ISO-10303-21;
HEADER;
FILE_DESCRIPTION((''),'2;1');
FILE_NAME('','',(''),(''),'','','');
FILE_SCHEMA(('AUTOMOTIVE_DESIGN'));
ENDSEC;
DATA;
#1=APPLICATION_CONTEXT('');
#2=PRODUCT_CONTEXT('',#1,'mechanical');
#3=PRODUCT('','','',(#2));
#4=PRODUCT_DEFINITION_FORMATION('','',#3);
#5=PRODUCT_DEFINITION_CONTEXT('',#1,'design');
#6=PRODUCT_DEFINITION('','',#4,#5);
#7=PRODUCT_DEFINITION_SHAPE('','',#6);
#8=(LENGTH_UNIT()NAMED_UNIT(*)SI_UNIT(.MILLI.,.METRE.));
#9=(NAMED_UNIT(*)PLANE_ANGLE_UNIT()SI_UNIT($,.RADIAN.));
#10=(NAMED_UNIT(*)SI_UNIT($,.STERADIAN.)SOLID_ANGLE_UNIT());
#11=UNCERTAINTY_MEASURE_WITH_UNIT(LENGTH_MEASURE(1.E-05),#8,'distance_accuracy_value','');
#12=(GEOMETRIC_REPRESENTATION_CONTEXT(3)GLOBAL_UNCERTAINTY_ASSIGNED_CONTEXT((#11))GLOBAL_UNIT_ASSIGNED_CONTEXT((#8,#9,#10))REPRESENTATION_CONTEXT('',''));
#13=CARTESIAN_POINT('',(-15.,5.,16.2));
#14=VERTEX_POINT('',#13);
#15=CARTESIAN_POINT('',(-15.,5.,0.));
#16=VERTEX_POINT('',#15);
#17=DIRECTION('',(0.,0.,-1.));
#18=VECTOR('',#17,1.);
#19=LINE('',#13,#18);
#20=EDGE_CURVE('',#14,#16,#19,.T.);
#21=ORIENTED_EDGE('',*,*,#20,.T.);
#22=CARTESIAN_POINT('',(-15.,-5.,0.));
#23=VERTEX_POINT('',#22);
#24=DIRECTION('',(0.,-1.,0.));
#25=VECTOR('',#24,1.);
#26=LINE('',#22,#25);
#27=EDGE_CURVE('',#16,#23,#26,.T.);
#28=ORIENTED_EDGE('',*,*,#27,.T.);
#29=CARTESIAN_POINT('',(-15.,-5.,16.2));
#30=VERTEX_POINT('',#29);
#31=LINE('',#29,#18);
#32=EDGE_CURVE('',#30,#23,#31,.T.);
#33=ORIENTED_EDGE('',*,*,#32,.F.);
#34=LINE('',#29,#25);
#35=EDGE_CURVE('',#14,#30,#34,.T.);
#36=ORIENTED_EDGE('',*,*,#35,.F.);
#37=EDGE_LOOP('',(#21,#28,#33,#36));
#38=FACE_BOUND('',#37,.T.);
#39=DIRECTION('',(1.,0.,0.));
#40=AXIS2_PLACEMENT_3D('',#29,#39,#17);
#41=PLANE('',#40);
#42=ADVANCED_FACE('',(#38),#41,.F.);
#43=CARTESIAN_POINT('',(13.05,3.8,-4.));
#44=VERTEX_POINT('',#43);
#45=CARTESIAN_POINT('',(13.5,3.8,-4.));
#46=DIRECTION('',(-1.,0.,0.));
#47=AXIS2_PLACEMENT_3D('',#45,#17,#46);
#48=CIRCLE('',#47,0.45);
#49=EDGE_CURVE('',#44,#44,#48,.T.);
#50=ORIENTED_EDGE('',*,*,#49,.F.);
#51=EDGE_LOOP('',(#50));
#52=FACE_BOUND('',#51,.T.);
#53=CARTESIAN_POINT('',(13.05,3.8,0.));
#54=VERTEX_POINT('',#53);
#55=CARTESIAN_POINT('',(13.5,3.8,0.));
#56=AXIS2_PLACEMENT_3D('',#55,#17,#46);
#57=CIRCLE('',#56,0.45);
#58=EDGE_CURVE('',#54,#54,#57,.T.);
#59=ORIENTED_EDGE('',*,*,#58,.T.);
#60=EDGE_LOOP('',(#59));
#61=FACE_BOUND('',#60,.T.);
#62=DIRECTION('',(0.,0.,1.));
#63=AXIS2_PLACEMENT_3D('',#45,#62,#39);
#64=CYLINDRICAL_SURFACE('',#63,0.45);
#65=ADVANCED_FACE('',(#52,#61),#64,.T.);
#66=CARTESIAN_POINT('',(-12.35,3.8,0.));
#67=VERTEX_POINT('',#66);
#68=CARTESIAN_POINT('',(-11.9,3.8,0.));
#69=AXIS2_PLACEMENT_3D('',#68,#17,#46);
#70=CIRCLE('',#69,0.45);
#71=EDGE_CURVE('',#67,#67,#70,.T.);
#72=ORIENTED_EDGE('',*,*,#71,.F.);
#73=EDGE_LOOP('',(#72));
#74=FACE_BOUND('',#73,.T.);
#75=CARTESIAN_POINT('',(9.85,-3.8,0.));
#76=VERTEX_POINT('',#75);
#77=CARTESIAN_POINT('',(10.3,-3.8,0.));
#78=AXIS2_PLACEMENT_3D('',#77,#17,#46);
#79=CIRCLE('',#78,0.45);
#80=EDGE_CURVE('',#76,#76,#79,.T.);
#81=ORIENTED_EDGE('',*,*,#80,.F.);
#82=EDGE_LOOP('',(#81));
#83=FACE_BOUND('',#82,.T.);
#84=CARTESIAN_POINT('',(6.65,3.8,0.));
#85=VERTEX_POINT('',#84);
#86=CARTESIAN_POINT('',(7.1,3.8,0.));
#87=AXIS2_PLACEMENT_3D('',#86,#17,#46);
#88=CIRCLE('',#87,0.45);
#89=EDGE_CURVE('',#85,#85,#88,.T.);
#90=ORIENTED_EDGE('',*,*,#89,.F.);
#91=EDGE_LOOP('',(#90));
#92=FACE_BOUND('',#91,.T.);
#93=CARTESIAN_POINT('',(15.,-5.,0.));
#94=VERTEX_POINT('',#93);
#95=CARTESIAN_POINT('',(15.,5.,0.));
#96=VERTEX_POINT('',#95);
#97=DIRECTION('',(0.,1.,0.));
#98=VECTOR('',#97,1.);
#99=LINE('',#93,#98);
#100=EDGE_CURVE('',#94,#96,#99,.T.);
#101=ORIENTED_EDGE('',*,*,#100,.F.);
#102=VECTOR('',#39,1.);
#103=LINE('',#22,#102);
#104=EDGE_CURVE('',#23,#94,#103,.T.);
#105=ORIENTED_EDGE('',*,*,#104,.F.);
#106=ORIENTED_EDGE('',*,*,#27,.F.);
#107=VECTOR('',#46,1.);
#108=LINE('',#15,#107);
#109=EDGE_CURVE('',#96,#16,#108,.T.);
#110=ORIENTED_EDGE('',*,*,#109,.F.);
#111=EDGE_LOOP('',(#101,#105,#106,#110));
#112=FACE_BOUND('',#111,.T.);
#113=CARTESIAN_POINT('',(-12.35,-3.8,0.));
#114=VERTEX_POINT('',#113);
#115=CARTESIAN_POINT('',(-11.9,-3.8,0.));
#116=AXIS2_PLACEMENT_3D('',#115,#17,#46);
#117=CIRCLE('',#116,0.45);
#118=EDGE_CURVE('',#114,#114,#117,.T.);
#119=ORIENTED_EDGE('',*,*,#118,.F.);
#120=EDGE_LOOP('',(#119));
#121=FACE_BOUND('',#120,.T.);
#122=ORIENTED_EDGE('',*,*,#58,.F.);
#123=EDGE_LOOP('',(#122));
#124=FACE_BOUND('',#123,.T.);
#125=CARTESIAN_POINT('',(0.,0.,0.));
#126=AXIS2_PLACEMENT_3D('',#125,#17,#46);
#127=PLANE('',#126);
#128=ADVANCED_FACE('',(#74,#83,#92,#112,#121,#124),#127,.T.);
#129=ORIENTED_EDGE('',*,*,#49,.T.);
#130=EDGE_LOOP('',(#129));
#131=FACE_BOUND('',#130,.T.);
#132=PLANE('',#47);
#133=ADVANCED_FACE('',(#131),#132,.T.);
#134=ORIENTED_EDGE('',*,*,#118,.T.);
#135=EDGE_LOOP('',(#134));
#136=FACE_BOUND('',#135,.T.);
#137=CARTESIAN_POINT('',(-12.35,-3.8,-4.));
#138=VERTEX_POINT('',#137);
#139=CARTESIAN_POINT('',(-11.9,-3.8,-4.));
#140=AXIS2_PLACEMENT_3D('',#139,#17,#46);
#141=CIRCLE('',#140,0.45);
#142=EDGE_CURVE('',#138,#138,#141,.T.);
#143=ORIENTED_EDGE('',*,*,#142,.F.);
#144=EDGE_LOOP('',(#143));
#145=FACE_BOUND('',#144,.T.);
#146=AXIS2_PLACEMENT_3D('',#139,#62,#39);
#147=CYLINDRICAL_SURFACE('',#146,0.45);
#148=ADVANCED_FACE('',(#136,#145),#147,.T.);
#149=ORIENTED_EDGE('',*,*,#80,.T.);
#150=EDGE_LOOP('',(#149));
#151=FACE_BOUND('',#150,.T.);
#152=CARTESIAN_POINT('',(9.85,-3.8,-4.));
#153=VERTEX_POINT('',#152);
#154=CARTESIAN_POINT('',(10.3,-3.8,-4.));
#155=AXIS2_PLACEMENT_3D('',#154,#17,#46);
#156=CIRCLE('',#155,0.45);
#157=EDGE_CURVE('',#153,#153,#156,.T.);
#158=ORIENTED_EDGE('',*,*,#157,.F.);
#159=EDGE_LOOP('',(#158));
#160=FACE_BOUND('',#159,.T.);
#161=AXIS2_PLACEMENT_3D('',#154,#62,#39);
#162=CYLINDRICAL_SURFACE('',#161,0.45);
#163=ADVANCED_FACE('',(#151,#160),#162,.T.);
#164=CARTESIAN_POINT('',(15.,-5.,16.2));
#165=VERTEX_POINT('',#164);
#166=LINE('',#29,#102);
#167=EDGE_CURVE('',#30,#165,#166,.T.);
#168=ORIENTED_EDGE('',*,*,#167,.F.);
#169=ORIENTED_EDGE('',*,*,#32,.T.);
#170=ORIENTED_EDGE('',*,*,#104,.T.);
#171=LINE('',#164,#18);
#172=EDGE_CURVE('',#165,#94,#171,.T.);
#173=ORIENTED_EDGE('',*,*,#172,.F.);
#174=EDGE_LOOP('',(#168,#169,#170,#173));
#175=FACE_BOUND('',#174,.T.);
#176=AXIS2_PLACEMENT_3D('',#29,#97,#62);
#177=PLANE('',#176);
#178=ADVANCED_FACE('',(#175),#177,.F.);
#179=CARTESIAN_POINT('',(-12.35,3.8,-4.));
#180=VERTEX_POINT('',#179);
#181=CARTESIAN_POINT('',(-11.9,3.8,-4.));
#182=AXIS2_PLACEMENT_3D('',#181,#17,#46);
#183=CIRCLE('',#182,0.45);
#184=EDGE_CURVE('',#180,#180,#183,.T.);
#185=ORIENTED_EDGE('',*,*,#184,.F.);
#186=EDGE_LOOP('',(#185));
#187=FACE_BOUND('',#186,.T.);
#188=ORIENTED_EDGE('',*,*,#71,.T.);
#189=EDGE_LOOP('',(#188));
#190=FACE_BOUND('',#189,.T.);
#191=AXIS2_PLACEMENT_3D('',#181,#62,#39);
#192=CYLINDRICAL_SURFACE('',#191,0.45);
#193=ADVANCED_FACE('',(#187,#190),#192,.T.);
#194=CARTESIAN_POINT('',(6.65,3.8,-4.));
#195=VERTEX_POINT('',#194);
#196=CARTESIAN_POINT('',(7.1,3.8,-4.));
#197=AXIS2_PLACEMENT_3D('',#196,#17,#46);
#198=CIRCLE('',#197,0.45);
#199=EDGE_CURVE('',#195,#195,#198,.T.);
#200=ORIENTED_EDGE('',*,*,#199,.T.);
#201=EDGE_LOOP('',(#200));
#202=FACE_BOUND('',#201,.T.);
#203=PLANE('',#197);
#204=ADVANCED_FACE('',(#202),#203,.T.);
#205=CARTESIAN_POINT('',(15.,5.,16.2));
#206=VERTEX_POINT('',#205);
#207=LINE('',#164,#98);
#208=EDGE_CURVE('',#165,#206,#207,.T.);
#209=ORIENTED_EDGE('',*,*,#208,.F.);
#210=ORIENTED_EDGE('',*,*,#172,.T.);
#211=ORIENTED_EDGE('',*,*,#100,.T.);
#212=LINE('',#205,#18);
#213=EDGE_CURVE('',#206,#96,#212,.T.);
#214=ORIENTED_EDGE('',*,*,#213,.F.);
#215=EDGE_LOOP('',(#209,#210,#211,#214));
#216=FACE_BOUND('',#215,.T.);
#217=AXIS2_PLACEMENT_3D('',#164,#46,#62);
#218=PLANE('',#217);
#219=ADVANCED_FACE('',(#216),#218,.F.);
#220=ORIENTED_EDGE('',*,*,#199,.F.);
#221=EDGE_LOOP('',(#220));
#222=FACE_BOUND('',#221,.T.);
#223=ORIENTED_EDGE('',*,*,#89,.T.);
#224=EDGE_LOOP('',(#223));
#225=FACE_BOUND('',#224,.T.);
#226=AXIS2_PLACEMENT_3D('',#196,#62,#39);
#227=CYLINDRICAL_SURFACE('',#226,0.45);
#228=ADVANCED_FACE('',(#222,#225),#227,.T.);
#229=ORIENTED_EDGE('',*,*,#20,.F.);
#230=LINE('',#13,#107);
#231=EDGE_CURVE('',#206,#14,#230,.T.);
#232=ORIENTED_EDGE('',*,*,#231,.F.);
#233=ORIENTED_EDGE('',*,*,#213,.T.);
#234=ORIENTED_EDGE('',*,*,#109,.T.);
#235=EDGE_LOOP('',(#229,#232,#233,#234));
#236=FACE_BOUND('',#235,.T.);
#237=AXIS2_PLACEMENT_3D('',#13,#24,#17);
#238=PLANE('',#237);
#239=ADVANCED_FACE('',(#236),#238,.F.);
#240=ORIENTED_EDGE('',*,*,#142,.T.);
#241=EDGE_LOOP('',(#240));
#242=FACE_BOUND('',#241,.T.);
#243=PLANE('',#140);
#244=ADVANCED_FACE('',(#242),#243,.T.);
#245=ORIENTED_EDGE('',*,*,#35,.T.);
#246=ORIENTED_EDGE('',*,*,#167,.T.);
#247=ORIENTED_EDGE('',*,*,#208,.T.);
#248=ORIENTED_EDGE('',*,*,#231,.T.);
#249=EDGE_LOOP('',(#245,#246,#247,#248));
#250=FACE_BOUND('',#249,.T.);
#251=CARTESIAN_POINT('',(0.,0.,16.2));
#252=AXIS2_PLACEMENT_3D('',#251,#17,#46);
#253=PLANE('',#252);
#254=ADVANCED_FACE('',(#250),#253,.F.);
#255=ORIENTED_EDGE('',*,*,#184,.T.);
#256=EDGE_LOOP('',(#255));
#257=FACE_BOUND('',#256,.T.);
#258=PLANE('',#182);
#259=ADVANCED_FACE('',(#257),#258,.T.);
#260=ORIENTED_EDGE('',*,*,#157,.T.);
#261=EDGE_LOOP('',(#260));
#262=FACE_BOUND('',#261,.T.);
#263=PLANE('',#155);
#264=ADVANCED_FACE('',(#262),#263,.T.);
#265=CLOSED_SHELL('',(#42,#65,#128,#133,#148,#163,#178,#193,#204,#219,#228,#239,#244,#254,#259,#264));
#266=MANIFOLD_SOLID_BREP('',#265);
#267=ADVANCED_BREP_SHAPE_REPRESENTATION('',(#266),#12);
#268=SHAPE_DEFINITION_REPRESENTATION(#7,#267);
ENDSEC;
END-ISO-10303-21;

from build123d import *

# Parameters (mm, degrees)
SKETCH_1_W      = 30
SKETCH_1_H      = 10
EXTRUDE_1_DEPTH = 16.2
SKETCH_2_R      = 0.45
EXTRUDE_2_DEPTH = 4


with BuildPart() as part:
    # Эскиз1 → Бобышка-Вытянуть1 (new body)
    with BuildSketch(Plane.XY):
        Rectangle(SKETCH_1_W, SKETCH_1_H)
    extrude(amount=EXTRUDE_1_DEPTH)

    # Эскиз2 → Бобышка-Вытянуть2 (add)
    with BuildSketch(Plane(origin=(0, 0, 0), x_dir=(-1, 0, 0), z_dir=(0, 0, -1))):
        with Locations((-13.5, 3.8)):
            Circle(SKETCH_2_R)
        with Locations((-7.1, 3.8)):
            Circle(SKETCH_2_R)
        with Locations((-10.3, -3.8)):
            Circle(SKETCH_2_R)
        with Locations((11.9, 3.8)):
            Circle(SKETCH_2_R)
        with Locations((11.9, -3.8)):
            Circle(SKETCH_2_R)
    extrude(amount=EXTRUDE_2_DEPTH)


solid = part.part
